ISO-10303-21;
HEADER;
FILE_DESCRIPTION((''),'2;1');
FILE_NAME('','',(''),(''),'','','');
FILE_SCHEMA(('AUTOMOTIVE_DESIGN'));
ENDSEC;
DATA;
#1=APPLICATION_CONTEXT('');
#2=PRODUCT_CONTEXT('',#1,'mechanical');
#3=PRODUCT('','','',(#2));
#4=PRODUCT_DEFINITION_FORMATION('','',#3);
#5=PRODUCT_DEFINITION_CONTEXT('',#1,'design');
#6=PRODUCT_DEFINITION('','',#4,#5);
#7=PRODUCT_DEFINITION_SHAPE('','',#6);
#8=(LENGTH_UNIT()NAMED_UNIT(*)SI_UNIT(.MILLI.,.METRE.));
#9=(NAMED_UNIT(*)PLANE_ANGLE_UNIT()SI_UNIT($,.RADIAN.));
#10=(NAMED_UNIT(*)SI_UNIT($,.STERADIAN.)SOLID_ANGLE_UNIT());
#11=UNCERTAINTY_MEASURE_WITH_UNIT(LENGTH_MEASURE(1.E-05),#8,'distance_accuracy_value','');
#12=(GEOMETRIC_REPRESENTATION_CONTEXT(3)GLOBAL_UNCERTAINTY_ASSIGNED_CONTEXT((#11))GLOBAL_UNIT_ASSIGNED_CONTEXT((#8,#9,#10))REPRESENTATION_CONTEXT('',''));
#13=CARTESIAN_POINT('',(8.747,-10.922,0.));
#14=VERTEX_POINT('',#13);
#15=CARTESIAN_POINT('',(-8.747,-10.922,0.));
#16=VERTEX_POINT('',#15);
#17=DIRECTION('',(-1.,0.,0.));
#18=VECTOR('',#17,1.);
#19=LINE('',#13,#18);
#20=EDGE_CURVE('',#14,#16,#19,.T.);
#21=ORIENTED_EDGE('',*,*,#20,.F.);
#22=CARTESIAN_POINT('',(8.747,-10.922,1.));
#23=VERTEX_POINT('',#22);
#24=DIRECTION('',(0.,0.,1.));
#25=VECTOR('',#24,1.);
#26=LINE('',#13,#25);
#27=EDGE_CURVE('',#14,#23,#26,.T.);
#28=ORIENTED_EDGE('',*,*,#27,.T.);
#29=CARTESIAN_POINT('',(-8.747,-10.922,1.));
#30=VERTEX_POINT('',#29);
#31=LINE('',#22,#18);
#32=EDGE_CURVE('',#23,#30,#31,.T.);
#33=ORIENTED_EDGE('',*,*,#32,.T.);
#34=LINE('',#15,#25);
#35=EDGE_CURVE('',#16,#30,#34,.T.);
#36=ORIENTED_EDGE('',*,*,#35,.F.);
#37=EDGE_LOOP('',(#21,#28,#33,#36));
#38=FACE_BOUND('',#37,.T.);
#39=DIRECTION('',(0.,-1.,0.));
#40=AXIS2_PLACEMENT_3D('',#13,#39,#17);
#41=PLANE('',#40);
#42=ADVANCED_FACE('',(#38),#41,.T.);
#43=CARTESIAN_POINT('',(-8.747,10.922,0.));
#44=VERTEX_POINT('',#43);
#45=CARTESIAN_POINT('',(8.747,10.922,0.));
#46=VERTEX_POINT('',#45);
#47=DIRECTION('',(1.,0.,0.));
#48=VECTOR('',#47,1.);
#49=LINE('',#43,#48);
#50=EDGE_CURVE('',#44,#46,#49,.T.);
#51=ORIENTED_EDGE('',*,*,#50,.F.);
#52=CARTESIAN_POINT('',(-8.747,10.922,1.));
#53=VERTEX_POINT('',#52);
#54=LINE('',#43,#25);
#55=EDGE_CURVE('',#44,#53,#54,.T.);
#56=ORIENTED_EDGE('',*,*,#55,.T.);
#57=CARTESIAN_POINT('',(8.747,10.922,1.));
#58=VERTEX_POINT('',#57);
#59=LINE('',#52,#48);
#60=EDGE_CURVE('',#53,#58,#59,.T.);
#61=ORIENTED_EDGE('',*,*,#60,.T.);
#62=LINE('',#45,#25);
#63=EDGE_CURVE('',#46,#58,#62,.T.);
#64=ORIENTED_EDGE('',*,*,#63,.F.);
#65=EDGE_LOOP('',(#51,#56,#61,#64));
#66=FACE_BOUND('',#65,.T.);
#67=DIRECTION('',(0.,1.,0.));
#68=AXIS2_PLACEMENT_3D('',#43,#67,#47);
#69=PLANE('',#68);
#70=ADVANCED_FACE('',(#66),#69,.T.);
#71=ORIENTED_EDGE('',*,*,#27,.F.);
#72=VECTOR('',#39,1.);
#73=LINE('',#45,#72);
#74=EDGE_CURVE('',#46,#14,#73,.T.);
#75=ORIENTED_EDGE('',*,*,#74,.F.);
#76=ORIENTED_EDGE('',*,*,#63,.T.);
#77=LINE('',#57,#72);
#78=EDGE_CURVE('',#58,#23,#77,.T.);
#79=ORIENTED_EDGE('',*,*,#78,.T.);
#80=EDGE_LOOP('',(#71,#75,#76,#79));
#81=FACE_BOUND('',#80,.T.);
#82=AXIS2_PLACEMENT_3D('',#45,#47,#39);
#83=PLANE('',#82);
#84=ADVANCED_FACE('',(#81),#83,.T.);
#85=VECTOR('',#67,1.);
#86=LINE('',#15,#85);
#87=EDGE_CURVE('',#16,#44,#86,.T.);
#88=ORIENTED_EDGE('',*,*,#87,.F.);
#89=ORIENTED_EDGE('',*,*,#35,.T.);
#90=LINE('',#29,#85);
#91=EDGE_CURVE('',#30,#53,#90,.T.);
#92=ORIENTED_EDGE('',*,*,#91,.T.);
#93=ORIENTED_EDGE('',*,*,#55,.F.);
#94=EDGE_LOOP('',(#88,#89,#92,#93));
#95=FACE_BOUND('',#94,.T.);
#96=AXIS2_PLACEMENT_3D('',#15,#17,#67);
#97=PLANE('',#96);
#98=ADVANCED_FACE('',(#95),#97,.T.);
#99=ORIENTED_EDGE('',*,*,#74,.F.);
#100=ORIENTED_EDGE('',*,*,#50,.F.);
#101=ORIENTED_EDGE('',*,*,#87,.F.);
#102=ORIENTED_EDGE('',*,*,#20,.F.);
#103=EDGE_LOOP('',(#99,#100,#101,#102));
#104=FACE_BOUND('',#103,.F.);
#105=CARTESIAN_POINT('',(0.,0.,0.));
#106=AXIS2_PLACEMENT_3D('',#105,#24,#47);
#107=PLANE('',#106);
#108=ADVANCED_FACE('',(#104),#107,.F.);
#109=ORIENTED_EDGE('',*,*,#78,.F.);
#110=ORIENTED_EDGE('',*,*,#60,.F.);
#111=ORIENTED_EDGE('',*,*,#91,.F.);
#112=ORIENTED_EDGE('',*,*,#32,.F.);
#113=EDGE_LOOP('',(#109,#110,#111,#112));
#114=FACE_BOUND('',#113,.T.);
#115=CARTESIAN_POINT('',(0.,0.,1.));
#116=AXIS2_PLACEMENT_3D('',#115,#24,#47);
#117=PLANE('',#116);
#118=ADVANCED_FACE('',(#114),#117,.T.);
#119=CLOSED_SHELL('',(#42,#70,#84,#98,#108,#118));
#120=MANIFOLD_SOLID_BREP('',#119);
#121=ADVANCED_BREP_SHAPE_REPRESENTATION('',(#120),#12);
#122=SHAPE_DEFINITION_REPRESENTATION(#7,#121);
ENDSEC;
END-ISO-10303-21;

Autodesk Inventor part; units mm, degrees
ref_plane "YZ Plane" through (0, 0, 0) normal (1, 0, 0) x (0, 1, 0)
ref_plane "XZ Plane" through (0, 0, 0) normal (0, 1, 0) x (-1, 0, 0)
ref_plane "XY Plane" through (0, 0, 0) normal (0, 0, 1) x (1, 0, 0)
sketch "MAGJACKRJ45, MAGJACK_RJ45_68" plane through (0, 0, 0) normal (0, 0, 1) x (1, 0, 0)
  line L0 (-8.747, -10.922) -> (-8.747, 10.922)
  line L1 (-8.747, 10.922) -> (8.747, 10.922)
  line L2 (8.747, 10.922) -> (8.747, -10.922)
  line L3 (8.747, -10.922) -> (-8.747, -10.922)
extrude "Extrusion1" add sketch "MAGJACKRJ45, MAGJACK_RJ45_68" along normal blind 1
properties part number "MAGJACK_RJ45"
